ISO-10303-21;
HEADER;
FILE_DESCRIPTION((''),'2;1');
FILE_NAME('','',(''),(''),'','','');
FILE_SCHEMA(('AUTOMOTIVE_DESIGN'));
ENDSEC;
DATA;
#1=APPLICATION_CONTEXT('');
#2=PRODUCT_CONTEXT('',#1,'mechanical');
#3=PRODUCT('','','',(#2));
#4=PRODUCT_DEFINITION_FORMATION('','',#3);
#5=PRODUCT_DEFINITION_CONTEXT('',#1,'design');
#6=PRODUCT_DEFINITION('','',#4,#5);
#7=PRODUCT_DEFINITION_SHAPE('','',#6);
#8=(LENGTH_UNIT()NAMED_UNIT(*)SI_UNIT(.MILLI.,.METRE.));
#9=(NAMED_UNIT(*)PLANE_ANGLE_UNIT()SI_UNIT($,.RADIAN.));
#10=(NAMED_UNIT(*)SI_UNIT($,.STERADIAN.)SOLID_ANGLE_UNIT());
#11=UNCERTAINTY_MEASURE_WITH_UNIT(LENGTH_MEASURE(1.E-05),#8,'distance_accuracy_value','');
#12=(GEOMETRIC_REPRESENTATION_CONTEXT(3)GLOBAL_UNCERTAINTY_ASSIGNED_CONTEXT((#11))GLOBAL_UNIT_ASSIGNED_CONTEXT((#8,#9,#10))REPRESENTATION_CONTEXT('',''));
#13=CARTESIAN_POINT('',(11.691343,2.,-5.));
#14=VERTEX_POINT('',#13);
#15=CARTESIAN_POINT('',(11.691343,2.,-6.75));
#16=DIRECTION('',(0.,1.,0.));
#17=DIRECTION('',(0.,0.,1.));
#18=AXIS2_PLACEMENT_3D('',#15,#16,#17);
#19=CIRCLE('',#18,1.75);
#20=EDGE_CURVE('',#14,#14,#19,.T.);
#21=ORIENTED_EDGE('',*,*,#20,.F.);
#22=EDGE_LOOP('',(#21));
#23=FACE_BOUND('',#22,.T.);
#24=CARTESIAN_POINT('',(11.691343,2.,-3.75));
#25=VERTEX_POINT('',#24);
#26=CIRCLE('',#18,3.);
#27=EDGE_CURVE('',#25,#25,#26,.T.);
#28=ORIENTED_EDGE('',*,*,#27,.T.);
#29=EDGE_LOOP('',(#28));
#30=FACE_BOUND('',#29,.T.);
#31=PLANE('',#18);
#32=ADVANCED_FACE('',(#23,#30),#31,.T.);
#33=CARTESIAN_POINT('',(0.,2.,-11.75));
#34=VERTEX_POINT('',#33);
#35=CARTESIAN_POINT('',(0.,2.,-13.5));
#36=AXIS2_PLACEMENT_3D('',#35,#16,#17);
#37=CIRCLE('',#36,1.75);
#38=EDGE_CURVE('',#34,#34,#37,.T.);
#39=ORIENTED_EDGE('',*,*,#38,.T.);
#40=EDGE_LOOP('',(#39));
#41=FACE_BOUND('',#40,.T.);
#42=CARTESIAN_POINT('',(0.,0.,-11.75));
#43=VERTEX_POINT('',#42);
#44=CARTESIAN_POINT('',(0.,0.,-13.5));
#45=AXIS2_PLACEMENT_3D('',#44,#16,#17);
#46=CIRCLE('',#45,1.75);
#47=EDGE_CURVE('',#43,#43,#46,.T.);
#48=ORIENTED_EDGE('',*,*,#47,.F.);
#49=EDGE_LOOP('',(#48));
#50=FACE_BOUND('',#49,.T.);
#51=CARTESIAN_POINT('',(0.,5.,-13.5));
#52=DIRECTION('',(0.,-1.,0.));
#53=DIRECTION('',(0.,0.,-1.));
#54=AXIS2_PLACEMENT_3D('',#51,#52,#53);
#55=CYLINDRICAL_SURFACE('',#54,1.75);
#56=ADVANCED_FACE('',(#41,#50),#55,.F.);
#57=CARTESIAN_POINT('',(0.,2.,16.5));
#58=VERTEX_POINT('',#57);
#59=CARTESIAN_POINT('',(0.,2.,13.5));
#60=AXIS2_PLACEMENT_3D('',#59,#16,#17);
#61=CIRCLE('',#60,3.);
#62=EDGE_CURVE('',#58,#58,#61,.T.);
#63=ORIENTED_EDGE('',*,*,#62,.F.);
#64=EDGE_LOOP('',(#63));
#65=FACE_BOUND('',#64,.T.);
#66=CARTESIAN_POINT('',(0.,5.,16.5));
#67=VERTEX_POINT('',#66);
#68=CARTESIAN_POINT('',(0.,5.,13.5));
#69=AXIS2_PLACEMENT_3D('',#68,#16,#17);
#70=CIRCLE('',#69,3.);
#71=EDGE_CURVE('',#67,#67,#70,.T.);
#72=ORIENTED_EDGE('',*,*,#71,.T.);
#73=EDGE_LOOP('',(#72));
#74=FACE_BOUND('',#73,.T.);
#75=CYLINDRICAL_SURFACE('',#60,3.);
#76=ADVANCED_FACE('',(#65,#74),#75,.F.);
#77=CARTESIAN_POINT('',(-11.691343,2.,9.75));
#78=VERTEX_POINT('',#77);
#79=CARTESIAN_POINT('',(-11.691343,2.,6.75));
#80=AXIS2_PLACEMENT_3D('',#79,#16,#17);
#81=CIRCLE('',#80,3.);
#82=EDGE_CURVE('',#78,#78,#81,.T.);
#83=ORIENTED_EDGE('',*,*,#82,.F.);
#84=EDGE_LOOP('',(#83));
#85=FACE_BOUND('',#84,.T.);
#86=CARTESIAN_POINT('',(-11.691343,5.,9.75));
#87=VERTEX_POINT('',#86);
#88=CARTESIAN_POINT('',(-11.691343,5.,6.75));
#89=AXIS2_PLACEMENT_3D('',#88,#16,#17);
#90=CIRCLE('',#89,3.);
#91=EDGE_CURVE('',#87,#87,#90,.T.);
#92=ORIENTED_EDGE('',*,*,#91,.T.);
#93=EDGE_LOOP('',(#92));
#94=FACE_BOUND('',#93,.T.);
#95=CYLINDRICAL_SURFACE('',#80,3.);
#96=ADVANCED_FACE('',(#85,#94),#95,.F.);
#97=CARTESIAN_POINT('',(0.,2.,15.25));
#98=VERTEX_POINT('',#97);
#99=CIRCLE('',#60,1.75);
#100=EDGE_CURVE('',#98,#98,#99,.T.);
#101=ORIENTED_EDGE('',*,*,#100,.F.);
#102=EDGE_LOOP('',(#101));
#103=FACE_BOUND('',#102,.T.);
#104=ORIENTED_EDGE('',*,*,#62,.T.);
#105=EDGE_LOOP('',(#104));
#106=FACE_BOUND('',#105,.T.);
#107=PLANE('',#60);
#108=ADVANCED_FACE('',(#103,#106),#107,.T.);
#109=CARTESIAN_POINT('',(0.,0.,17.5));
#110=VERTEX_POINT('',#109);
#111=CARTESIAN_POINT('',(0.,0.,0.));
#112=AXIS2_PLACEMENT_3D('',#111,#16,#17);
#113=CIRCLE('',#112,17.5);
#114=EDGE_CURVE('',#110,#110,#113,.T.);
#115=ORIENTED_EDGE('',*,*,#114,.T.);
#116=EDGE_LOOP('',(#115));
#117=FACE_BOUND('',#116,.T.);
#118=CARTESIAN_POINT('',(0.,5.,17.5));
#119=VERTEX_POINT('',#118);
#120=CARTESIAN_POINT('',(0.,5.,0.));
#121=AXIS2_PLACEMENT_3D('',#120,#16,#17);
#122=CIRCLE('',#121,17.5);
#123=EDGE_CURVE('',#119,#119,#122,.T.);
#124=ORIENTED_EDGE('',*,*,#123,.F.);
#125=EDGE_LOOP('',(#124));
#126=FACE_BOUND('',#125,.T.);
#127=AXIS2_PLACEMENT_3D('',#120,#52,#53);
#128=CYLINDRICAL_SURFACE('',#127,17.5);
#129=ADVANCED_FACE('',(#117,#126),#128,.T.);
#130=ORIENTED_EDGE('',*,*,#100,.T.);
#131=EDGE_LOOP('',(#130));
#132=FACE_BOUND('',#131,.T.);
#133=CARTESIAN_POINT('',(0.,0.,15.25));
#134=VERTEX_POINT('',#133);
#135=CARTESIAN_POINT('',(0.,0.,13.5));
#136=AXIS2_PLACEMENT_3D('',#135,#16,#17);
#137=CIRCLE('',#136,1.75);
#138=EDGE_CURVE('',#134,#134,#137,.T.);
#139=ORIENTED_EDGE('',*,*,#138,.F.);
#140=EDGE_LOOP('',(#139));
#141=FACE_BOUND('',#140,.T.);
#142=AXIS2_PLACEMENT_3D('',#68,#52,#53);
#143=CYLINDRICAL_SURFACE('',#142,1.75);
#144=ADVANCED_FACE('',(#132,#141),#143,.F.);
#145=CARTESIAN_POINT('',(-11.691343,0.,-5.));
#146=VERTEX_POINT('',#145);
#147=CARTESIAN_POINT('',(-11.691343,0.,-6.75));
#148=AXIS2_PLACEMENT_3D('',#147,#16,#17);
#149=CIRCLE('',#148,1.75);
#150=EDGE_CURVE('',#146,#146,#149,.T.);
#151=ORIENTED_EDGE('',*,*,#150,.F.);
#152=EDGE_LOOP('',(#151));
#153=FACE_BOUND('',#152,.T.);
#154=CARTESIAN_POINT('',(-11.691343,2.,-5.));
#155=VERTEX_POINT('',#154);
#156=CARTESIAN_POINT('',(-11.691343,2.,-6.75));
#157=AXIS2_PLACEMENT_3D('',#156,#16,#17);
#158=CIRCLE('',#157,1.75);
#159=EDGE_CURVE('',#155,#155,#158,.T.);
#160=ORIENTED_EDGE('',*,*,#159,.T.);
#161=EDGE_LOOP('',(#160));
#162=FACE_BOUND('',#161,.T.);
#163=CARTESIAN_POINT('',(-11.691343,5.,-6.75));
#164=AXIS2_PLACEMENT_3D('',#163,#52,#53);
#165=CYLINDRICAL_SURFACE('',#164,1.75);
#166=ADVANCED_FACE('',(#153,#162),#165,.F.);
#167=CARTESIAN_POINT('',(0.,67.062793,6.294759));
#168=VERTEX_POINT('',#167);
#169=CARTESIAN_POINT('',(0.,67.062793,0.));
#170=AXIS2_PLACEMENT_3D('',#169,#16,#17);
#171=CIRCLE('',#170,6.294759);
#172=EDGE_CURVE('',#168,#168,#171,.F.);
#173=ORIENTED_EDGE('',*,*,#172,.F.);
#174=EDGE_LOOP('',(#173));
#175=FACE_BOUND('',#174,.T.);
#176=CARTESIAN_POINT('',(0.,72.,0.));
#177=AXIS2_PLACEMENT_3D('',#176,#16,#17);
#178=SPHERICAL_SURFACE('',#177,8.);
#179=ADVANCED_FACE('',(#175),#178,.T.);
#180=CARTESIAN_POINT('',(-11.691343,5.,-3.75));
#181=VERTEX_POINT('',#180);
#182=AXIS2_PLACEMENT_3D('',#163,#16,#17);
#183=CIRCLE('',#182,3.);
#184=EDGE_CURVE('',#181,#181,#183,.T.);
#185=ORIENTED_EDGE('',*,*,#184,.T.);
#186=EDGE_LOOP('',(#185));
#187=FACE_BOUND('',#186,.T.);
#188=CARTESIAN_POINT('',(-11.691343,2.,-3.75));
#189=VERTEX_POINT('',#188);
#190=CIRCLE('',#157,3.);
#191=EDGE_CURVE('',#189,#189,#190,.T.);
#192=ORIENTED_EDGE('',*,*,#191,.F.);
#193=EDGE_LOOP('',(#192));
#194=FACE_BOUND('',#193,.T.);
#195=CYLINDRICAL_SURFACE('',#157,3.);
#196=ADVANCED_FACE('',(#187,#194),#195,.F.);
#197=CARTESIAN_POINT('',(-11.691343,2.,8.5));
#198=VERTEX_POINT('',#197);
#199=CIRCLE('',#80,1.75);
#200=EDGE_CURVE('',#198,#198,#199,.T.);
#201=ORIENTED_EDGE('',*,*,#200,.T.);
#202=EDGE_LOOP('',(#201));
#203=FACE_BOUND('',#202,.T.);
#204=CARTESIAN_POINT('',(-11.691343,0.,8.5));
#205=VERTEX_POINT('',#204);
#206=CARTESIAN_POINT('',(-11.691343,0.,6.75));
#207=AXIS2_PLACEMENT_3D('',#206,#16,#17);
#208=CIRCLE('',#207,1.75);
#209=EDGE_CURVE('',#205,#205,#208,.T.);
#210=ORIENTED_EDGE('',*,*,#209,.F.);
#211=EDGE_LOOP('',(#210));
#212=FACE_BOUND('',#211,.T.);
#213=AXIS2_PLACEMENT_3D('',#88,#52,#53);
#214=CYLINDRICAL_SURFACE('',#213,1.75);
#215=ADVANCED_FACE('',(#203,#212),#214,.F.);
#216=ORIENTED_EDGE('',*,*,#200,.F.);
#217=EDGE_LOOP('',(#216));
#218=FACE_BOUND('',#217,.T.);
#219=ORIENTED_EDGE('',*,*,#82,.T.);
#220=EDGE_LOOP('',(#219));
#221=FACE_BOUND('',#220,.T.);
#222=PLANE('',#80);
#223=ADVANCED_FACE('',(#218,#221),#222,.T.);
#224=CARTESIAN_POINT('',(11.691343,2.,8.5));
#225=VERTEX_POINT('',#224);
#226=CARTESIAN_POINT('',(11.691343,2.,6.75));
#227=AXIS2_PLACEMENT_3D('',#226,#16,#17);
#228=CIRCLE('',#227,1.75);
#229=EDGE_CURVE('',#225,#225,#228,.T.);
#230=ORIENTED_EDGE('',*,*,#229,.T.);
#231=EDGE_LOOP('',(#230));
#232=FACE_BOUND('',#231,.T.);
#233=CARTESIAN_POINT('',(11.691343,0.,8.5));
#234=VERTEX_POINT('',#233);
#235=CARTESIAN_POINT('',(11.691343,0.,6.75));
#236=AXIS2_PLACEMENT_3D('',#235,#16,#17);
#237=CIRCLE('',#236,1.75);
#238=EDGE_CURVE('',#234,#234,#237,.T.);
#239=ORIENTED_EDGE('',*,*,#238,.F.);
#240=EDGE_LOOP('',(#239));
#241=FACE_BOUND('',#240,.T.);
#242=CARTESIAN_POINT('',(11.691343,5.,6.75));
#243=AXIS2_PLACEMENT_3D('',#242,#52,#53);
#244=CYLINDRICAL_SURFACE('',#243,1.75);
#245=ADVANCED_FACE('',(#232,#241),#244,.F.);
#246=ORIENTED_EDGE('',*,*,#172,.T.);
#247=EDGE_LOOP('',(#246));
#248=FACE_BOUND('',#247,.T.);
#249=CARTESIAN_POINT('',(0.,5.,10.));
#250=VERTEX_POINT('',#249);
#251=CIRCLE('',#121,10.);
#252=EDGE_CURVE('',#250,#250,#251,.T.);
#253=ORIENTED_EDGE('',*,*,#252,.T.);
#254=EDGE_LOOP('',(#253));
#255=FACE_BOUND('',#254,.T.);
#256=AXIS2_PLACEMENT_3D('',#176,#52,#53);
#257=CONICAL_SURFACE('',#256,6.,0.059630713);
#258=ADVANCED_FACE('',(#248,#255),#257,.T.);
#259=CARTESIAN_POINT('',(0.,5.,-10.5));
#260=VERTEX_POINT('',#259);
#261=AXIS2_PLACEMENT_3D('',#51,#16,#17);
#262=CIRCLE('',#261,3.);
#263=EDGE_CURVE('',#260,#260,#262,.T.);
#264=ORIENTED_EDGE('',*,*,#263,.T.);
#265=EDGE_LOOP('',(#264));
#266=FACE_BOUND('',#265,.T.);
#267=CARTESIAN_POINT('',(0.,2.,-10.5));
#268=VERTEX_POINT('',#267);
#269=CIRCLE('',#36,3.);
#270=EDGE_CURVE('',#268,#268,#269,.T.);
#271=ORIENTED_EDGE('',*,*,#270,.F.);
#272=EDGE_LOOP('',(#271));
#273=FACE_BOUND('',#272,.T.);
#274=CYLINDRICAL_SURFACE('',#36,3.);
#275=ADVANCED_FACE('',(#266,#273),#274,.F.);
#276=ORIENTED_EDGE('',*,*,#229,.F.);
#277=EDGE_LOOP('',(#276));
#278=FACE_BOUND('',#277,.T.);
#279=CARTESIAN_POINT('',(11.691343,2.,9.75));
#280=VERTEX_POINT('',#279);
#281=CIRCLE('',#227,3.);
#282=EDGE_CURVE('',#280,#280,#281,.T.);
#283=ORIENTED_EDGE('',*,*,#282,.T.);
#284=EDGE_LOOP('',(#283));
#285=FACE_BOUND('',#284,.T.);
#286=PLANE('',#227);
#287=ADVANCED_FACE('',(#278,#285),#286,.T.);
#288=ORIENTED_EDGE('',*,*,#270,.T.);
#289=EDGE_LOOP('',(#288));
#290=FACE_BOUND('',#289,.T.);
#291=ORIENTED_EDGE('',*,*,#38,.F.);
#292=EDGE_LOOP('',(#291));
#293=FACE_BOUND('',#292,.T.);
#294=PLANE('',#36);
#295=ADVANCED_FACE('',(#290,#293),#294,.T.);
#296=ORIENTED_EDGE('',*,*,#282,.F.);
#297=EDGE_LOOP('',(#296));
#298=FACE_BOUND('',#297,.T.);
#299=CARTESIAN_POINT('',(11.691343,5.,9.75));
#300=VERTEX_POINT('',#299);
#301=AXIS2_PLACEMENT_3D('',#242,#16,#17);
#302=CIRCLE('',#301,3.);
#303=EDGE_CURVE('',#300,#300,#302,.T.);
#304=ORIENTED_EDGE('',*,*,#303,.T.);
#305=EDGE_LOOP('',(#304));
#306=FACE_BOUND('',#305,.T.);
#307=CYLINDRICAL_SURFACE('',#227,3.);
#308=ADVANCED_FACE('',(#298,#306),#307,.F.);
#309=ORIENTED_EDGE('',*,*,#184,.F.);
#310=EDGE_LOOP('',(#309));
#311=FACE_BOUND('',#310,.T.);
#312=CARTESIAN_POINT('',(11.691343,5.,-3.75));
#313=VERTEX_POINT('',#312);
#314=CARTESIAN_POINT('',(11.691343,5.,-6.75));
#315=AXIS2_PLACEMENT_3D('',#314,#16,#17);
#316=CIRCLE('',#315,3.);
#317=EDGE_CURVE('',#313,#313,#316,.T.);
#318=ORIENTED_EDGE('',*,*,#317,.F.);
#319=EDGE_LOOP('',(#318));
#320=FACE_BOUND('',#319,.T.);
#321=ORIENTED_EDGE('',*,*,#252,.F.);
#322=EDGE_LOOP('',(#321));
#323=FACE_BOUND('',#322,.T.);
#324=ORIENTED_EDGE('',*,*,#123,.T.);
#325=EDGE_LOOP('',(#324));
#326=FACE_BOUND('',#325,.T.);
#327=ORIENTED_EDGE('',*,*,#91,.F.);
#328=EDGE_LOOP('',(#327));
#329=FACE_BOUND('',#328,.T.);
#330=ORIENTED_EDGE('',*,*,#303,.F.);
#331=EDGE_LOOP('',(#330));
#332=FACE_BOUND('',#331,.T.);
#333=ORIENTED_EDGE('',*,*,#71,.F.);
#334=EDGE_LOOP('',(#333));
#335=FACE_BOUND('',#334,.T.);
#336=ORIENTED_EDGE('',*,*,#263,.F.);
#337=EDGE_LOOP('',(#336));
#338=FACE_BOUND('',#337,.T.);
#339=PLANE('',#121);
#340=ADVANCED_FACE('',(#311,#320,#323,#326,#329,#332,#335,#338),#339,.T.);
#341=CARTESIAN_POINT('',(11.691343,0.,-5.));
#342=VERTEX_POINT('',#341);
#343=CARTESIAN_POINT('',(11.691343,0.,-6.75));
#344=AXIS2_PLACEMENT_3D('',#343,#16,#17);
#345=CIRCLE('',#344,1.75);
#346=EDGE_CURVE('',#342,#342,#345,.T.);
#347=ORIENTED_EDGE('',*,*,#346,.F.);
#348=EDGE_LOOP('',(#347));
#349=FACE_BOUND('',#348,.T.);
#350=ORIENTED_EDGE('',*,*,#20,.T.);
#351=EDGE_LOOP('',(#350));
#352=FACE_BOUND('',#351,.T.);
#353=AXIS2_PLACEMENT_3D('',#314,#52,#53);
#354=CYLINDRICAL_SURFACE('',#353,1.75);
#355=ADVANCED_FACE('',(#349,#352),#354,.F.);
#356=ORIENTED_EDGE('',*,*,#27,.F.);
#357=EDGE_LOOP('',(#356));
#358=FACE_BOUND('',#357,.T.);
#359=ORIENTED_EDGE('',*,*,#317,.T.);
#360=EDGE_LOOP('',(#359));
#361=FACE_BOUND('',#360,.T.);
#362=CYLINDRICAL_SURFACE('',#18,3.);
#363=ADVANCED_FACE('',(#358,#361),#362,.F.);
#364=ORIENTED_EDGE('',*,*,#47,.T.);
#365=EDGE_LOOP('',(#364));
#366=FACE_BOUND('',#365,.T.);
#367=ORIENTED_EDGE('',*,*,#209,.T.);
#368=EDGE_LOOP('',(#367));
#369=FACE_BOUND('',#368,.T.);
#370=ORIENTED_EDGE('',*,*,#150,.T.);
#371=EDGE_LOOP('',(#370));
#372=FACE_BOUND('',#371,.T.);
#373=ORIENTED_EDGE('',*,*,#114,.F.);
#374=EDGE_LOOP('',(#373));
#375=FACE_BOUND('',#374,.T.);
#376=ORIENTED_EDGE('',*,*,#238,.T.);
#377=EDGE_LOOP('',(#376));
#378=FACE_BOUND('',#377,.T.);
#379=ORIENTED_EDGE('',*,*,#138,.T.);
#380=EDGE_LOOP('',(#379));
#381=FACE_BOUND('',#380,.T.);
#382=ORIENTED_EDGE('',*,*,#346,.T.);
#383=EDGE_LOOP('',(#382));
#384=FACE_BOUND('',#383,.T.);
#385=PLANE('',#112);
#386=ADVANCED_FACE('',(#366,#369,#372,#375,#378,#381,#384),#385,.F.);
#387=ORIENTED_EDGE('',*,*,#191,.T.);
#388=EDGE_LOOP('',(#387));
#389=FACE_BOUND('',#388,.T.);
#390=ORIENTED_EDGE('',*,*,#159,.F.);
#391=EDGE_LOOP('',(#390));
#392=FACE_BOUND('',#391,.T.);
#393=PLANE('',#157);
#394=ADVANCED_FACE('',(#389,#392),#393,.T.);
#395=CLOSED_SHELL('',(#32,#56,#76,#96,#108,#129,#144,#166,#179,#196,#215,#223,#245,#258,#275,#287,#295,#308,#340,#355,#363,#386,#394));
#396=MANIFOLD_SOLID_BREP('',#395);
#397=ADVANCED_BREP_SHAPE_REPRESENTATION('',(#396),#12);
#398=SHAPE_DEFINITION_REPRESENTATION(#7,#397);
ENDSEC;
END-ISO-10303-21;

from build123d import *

# Parameters (mm, degrees)
SKETCH_1_R          = 17.5
SKETCH_1_R_2        = 1.75
EXTRUDE_1_DEPTH     = 5
SKETCH_2_R          = 3
CUT_EXTRUDE_1_DEPTH = 3
SKETCH_3_R          = 10
SKETCH_6_R          = 6


with BuildPart() as part:
    # 草图1 → 凸台-拉伸1 (new body)
    with BuildSketch(Plane(origin=(0, 0, 0), x_dir=(1, 0, 0), z_dir=(0, 1, 0))):
        Circle(SKETCH_1_R)
        with Locations((0, 13.5)):
            Circle(SKETCH_1_R_2, mode=Mode.SUBTRACT)
        with Locations((11.691342951, 6.75)):
            Circle(SKETCH_1_R_2, mode=Mode.SUBTRACT)
        with Locations((11.691342951, -6.75)):
            Circle(SKETCH_1_R_2, mode=Mode.SUBTRACT)
        with Locations((0, -13.5)):
            Circle(SKETCH_1_R_2, mode=Mode.SUBTRACT)
        with Locations((-11.691342951, -6.75)):
            Circle(SKETCH_1_R_2, mode=Mode.SUBTRACT)
        with Locations((-11.691342951, 6.75)):
            Circle(SKETCH_1_R_2, mode=Mode.SUBTRACT)
    extrude(amount=EXTRUDE_1_DEPTH)

    # 草图2 → 切除-拉伸1 (cut)
    with BuildSketch(Plane(origin=(0, 5, 0), x_dir=(1, 0, 0), z_dir=(0, 1, 0))):
        with Locations((0, 13.5)):
            Circle(SKETCH_2_R)
        with Locations((11.691342951, 6.75)):
            Circle(SKETCH_2_R)
        with Locations((11.691342951, -6.75)):
            Circle(SKETCH_2_R)
        with Locations((0, -13.5)):
            Circle(SKETCH_2_R)
        with Locations((-11.691342951, -6.75)):
            Circle(SKETCH_2_R)
        with Locations((-11.691342951, 6.75)):
            Circle(SKETCH_2_R)
    extrude(amount=-CUT_EXTRUDE_1_DEPTH, mode=Mode.SUBTRACT)

    # 草图3 → 放样1 section 0
    with BuildSketch(Plane(origin=(0, 5, 0), x_dir=(1, 0, 0), z_dir=(0, 1, 0))):
        Circle(SKETCH_3_R)
    # 草图6 → 放样1 section 1
    with BuildSketch(Plane(origin=(0, 72, 0), x_dir=(1, 0, 0), z_dir=(0, 1, 0))):
        Circle(SKETCH_6_R)
    loft()

    # 草图7 → 旋转7 (revolve)
    with BuildSketch(Plane(origin=(0, 72, 0), x_dir=(1, 0, 0), z_dir=(0, 1, 0))):
        with BuildLine():
            Line((-8, 0), (8, 0))
            ThreePointArc((8, 0), (0, 8), (-8, 0))
        make_face()
    revolve(axis=Axis((-8, 72, 0), (1, 0, 0)))


solid = part.part
